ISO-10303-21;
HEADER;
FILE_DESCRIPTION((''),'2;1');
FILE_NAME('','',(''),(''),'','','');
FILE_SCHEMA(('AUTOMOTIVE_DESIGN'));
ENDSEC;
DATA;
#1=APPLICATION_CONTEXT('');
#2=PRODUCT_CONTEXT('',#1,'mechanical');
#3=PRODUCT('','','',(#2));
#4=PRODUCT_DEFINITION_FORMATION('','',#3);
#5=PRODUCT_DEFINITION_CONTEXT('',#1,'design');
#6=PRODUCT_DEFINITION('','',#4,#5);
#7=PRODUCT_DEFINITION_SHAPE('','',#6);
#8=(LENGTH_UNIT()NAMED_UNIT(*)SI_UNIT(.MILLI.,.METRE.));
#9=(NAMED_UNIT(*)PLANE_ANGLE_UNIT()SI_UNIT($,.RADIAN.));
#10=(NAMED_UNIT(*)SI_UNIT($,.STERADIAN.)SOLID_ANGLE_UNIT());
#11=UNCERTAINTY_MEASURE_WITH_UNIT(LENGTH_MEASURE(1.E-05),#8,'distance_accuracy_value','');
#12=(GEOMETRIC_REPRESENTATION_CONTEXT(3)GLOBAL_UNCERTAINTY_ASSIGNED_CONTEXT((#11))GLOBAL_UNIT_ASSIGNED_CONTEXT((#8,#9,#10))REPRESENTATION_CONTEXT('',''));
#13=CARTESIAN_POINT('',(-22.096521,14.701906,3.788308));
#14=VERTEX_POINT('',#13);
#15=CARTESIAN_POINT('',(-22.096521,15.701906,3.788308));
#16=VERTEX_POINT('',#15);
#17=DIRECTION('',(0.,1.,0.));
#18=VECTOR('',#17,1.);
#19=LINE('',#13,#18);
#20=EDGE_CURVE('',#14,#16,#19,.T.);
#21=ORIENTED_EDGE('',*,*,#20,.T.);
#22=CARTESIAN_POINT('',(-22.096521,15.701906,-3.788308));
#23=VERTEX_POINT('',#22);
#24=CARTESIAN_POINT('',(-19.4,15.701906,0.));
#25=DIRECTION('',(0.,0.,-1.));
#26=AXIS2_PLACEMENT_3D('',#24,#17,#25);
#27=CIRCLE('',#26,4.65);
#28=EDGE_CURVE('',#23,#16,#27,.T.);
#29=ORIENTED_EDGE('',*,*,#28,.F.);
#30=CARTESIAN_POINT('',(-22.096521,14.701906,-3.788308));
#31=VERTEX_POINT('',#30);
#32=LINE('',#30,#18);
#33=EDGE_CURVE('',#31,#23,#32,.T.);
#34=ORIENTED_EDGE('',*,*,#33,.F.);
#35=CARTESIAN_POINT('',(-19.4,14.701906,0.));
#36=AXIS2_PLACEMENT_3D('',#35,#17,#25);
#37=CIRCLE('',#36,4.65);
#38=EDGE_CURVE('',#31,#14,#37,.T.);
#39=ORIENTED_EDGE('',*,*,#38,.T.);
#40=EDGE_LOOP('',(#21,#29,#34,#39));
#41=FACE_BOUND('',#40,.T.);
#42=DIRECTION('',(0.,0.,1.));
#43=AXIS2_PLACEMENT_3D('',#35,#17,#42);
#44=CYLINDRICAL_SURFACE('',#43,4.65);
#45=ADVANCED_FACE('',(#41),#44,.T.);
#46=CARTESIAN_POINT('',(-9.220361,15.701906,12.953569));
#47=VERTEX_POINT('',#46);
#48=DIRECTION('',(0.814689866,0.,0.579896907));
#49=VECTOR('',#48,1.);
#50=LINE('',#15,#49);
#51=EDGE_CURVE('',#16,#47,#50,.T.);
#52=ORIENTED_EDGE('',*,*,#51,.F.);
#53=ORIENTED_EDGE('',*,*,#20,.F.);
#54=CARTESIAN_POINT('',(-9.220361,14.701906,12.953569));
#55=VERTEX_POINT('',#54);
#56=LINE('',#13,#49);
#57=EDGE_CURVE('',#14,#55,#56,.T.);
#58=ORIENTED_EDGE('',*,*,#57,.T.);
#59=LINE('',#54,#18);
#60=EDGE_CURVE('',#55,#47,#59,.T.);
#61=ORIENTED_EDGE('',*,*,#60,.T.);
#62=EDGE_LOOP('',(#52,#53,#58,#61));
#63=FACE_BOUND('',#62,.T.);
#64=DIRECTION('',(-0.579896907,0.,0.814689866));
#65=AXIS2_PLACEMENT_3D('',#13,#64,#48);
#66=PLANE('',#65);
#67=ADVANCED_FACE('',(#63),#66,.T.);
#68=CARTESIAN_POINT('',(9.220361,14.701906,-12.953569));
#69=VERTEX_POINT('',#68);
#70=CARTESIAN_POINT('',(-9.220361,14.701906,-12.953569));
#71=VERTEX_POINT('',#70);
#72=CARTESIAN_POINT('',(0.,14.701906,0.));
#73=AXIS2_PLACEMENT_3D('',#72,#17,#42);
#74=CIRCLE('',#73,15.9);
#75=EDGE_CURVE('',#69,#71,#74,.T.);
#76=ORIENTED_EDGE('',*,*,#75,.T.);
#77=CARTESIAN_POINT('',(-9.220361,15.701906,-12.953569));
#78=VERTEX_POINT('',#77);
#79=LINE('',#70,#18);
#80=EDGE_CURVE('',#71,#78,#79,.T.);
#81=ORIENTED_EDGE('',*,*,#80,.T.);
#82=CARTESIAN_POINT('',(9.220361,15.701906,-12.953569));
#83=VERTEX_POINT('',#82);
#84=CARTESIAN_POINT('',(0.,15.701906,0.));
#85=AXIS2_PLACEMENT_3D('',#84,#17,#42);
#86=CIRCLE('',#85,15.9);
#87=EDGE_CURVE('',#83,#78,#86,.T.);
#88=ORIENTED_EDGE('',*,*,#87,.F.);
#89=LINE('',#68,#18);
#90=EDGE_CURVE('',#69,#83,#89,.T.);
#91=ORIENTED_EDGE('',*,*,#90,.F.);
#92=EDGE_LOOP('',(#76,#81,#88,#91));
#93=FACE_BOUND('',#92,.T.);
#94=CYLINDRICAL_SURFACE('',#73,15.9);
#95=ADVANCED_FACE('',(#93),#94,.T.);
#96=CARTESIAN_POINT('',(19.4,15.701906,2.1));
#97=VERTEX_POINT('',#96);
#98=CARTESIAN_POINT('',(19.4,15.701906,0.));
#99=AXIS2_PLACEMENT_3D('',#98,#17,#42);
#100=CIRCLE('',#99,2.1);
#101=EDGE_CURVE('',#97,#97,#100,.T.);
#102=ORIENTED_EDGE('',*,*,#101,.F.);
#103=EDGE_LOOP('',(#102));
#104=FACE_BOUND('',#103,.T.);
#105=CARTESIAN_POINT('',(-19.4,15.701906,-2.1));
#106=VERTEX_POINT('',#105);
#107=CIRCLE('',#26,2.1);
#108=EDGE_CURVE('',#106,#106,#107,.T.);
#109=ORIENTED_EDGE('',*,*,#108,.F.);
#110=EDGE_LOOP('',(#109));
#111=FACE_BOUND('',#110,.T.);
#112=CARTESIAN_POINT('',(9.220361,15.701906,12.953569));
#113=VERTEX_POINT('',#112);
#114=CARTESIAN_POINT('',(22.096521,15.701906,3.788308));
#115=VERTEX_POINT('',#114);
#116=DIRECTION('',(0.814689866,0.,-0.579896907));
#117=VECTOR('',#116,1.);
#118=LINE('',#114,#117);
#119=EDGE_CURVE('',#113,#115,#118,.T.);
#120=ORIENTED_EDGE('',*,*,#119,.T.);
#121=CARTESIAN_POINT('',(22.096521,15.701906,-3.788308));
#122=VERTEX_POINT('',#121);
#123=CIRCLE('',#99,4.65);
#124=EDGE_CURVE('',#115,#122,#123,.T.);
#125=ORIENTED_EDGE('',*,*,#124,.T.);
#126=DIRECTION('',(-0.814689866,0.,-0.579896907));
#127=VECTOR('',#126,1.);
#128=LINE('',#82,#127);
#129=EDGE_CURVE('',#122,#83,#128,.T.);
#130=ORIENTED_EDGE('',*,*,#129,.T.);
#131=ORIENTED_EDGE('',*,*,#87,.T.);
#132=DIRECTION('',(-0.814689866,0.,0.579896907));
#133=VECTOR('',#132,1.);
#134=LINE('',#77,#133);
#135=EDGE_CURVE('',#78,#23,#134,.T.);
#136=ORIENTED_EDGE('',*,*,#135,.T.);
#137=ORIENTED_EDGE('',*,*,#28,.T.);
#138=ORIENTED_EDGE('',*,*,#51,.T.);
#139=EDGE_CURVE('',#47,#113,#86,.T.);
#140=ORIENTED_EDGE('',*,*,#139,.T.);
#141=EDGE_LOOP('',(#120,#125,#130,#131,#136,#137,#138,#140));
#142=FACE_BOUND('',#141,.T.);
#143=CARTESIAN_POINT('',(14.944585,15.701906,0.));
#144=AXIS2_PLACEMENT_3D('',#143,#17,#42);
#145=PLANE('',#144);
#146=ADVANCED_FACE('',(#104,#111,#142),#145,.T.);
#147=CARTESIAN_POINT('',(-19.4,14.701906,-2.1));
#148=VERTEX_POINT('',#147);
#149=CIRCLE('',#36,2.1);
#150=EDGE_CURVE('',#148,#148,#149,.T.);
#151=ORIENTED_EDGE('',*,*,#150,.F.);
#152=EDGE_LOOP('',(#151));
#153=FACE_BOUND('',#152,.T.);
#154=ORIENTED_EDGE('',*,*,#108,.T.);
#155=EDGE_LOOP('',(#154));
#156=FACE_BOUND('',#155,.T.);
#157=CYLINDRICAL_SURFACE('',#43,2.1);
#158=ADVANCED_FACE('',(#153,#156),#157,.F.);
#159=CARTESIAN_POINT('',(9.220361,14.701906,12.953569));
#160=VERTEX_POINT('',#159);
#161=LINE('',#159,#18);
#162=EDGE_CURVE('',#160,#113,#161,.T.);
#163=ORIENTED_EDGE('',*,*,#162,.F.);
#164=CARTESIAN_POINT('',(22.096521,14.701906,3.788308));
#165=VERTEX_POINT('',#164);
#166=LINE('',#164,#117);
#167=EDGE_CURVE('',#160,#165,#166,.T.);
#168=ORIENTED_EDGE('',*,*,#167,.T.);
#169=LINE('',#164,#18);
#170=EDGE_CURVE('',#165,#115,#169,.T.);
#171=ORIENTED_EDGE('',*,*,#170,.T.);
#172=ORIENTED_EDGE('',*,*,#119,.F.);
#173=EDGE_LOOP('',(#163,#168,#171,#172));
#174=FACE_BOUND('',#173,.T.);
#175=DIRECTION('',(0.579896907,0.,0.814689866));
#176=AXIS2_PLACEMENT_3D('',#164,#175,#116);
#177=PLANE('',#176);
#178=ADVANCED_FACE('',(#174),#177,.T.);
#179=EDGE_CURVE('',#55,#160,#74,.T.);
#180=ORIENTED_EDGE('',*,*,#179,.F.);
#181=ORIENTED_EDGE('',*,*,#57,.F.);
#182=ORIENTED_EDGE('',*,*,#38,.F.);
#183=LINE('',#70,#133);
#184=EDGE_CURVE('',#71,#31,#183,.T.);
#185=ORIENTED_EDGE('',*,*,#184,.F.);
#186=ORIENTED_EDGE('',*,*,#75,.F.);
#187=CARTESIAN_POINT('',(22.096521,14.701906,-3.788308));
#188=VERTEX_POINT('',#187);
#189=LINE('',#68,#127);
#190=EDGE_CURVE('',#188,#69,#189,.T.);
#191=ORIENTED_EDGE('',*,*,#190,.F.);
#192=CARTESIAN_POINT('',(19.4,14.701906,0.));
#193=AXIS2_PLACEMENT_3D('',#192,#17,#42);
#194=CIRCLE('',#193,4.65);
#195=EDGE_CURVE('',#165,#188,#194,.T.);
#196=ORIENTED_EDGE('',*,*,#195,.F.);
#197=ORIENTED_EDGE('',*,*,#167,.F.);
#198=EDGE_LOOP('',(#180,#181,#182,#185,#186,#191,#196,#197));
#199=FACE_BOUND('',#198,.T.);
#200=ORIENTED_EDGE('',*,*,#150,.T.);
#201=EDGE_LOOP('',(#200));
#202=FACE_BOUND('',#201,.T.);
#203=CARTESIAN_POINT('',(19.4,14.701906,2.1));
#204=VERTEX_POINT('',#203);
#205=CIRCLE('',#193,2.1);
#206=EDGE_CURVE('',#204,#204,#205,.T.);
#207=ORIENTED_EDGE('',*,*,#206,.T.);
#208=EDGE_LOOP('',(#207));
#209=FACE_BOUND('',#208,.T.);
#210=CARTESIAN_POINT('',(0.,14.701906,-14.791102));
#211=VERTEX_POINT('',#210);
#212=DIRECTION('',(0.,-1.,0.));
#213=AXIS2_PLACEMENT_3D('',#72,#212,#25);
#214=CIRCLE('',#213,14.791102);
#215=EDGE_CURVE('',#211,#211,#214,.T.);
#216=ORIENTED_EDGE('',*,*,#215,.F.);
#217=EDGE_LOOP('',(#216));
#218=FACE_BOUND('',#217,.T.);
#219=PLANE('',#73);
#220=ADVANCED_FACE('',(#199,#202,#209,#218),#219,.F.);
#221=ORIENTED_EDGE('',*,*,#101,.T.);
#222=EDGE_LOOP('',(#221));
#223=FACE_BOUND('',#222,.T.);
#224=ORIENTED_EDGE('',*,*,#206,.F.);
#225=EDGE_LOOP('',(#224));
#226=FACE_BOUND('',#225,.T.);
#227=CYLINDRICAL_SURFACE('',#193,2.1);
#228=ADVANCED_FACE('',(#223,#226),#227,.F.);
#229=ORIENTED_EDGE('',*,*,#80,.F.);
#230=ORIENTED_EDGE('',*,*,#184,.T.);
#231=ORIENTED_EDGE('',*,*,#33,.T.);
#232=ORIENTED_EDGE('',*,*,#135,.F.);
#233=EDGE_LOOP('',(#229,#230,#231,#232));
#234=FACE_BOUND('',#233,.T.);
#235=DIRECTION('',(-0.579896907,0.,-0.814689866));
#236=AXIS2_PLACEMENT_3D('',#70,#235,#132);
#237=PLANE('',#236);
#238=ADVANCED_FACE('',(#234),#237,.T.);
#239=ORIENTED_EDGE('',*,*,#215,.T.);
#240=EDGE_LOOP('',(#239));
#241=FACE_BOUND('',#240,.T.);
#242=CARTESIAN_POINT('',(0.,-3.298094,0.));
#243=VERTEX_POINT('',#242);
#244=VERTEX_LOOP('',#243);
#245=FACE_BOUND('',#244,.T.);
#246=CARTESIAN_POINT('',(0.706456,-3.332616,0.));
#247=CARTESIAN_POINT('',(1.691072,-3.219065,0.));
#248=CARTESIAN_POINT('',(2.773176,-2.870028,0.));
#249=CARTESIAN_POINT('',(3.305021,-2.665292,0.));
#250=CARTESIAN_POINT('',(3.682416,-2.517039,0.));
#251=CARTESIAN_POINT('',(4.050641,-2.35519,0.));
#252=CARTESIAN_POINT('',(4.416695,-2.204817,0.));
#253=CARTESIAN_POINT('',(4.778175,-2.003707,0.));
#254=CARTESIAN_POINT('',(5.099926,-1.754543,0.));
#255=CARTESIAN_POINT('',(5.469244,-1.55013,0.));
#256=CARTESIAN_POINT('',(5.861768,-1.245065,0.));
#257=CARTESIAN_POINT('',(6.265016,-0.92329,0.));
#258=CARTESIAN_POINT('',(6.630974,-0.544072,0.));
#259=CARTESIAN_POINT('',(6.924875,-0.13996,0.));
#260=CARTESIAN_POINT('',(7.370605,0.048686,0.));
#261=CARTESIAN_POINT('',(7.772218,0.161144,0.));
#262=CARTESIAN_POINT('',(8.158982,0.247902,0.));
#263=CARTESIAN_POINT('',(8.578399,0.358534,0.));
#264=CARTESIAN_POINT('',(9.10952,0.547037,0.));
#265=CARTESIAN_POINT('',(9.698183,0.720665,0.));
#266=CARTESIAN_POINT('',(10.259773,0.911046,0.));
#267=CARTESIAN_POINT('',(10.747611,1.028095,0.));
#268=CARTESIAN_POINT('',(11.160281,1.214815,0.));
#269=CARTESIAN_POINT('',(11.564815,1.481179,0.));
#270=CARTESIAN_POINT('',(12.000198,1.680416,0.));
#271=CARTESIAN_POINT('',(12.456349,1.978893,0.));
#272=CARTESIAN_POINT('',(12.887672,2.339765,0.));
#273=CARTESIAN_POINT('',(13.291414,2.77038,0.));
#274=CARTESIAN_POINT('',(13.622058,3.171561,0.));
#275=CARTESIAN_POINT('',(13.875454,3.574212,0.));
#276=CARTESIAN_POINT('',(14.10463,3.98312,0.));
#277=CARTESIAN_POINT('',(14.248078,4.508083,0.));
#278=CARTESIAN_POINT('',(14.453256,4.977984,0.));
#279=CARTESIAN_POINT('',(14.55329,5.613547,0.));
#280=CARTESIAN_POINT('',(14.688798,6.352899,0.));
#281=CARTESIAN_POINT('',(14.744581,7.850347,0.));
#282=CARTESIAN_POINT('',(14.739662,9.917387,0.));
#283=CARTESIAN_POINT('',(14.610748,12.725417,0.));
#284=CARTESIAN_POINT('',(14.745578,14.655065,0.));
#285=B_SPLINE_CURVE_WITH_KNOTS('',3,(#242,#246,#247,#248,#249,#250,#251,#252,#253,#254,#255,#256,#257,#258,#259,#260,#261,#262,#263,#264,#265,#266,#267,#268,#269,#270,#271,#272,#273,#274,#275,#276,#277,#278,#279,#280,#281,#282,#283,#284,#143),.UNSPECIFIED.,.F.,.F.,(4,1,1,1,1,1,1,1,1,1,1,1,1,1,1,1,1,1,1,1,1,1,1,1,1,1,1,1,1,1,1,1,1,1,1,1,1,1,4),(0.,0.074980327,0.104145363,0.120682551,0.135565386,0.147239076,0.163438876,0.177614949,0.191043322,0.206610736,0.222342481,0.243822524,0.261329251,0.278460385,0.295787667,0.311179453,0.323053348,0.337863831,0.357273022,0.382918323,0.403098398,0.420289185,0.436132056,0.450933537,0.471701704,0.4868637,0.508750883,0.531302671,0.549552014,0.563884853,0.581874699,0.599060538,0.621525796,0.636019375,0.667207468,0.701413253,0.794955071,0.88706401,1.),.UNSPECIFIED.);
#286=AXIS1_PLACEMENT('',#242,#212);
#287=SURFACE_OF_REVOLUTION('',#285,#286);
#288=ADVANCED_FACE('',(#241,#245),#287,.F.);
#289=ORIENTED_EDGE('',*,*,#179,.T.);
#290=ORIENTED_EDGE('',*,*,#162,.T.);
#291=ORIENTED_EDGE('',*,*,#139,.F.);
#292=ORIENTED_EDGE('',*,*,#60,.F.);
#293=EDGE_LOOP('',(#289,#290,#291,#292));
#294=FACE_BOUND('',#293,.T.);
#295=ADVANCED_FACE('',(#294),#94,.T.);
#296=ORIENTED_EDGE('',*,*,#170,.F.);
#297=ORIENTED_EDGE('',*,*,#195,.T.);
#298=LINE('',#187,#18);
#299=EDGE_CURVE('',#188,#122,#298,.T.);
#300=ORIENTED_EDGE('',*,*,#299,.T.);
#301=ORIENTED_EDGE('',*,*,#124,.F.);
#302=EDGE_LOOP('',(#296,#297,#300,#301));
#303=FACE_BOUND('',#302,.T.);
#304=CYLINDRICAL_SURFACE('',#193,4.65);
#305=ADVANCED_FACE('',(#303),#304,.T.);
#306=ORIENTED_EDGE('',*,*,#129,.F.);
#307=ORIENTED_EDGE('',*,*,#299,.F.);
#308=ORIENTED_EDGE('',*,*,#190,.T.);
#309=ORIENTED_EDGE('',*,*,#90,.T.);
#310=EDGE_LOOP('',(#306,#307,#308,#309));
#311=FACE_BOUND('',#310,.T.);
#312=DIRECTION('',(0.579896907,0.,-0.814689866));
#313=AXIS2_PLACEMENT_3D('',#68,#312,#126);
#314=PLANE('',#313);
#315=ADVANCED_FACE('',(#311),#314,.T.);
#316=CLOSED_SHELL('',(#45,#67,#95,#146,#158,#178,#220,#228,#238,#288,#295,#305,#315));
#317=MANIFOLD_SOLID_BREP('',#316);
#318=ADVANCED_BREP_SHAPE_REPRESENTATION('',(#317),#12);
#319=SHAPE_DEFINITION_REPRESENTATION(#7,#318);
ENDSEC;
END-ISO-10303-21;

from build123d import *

# Parameters (mm, degrees)
SKETCH_2_R      = 2.1
EXTRUDE_1_DEPTH = 1


with BuildPart() as part:
    # 草图1 → 旋转1 (revolve)
    with BuildSketch(Plane.XY):
        with BuildLine():
            Line((14.944585174, 15.701905636), (0, 15.701905636))
            Line((0, 15.701905636), (0, -3.298094364))
            add(Edge.make_bspline(
                [(0, -3.298094364), (0.706455528, -3.332616299), (1.691072276, -3.219064863), (2.773175522, -2.870028275), (3.305020932, -2.665292125), (3.682415706, -2.517038895), (4.050641345, -2.355189766), (4.416695399, -2.20481684), (4.77817462, -2.003706717), (5.099926424, -1.754542973), (5.469244366, -1.550129904), (5.861768452, -1.245065409), (6.265016456, -0.923290365), (6.630974372, -0.544071897), (6.924875069, -0.139959882), (7.370604687, 0.048686033), (7.772218261, 0.161143877), (8.158981876, 0.24790247), (8.578399204, 0.358534367), (9.10951982, 0.547037122), (9.69818302, 0.72066457), (10.259773085, 0.91104592), (10.747610732, 1.028094825), (11.160281011, 1.214814977), (11.564815316, 1.481178609), (12.000197559, 1.680416472), (12.456348878, 1.97889325), (12.887671936, 2.339764988), (13.291414369, 2.770380198), (13.622058348, 3.171561468), (13.87545394, 3.574212032), (14.104629888, 3.983119622), (14.24807752, 4.50808303), (14.453255803, 4.977984441), (14.55328951, 5.613547364), (14.688797752, 6.352898821), (14.744580933, 7.850347198), (14.739662401, 9.917386792), (14.610748365, 12.725417472), (14.745577946, 14.655065366), (14.944585174, 15.701905636)],
                knots=[0, 0, 0, 0, 0.074980327, 0.104145363, 0.120682551, 0.135565386, 0.147239076, 0.163438876, 0.177614949, 0.191043322, 0.206610736, 0.222342481, 0.243822524, 0.261329251, 0.278460385, 0.295787667, 0.311179453, 0.323053348, 0.337863831, 0.357273022, 0.382918323, 0.403098398, 0.420289185, 0.436132056, 0.450933537, 0.471701704, 0.4868637, 0.508750883, 0.531302671, 0.549552014, 0.563884853, 0.581874699, 0.599060538, 0.621525796, 0.636019375, 0.667207468, 0.701413253, 0.794955071, 0.88706401, 1, 1, 1, 1], degree=3))
        make_face()
    revolve(axis=Axis((0, -3.298094364, 0), (0, 1, 0)))

    # 草图2 → 凸台-拉伸1 (add)
    with BuildSketch(Plane(origin=(0, 15.701905636, 0), x_dir=(1, 0, 0), z_dir=(0, 1, 0))):
        with BuildLine():
            Line((9.220360825, 12.953568862), (22.096520619, 3.788307875))
            ThreePointArc((22.096520619, 3.788307875), (24.05, 0), (22.096520619, -3.788307875))
            Line((22.096520619, -3.788307875), (9.220360825, -12.953568862))
            ThreePointArc((9.220360825, -12.953568862), (0, -15.9), (-9.220360825, -12.953568862))
            Line((-9.220360825, -12.953568862), (-22.096520619, -3.788307875))
            ThreePointArc((-22.096520619, -3.788307875), (-24.05, 0), (-22.096520619, 3.788307875))
            Line((-22.096520619, 3.788307875), (-9.220360825, 12.953568862))
            ThreePointArc((-9.220360825, 12.953568862), (0, 15.9), (9.220360825, 12.953568862))
        make_face()
        with Locations((19.4, 0)):
            Circle(SKETCH_2_R, mode=Mode.SUBTRACT)
        with Locations((-19.4, 0)):
            Circle(SKETCH_2_R, mode=Mode.SUBTRACT)
    extrude(amount=-EXTRUDE_1_DEPTH)


solid = part.part
